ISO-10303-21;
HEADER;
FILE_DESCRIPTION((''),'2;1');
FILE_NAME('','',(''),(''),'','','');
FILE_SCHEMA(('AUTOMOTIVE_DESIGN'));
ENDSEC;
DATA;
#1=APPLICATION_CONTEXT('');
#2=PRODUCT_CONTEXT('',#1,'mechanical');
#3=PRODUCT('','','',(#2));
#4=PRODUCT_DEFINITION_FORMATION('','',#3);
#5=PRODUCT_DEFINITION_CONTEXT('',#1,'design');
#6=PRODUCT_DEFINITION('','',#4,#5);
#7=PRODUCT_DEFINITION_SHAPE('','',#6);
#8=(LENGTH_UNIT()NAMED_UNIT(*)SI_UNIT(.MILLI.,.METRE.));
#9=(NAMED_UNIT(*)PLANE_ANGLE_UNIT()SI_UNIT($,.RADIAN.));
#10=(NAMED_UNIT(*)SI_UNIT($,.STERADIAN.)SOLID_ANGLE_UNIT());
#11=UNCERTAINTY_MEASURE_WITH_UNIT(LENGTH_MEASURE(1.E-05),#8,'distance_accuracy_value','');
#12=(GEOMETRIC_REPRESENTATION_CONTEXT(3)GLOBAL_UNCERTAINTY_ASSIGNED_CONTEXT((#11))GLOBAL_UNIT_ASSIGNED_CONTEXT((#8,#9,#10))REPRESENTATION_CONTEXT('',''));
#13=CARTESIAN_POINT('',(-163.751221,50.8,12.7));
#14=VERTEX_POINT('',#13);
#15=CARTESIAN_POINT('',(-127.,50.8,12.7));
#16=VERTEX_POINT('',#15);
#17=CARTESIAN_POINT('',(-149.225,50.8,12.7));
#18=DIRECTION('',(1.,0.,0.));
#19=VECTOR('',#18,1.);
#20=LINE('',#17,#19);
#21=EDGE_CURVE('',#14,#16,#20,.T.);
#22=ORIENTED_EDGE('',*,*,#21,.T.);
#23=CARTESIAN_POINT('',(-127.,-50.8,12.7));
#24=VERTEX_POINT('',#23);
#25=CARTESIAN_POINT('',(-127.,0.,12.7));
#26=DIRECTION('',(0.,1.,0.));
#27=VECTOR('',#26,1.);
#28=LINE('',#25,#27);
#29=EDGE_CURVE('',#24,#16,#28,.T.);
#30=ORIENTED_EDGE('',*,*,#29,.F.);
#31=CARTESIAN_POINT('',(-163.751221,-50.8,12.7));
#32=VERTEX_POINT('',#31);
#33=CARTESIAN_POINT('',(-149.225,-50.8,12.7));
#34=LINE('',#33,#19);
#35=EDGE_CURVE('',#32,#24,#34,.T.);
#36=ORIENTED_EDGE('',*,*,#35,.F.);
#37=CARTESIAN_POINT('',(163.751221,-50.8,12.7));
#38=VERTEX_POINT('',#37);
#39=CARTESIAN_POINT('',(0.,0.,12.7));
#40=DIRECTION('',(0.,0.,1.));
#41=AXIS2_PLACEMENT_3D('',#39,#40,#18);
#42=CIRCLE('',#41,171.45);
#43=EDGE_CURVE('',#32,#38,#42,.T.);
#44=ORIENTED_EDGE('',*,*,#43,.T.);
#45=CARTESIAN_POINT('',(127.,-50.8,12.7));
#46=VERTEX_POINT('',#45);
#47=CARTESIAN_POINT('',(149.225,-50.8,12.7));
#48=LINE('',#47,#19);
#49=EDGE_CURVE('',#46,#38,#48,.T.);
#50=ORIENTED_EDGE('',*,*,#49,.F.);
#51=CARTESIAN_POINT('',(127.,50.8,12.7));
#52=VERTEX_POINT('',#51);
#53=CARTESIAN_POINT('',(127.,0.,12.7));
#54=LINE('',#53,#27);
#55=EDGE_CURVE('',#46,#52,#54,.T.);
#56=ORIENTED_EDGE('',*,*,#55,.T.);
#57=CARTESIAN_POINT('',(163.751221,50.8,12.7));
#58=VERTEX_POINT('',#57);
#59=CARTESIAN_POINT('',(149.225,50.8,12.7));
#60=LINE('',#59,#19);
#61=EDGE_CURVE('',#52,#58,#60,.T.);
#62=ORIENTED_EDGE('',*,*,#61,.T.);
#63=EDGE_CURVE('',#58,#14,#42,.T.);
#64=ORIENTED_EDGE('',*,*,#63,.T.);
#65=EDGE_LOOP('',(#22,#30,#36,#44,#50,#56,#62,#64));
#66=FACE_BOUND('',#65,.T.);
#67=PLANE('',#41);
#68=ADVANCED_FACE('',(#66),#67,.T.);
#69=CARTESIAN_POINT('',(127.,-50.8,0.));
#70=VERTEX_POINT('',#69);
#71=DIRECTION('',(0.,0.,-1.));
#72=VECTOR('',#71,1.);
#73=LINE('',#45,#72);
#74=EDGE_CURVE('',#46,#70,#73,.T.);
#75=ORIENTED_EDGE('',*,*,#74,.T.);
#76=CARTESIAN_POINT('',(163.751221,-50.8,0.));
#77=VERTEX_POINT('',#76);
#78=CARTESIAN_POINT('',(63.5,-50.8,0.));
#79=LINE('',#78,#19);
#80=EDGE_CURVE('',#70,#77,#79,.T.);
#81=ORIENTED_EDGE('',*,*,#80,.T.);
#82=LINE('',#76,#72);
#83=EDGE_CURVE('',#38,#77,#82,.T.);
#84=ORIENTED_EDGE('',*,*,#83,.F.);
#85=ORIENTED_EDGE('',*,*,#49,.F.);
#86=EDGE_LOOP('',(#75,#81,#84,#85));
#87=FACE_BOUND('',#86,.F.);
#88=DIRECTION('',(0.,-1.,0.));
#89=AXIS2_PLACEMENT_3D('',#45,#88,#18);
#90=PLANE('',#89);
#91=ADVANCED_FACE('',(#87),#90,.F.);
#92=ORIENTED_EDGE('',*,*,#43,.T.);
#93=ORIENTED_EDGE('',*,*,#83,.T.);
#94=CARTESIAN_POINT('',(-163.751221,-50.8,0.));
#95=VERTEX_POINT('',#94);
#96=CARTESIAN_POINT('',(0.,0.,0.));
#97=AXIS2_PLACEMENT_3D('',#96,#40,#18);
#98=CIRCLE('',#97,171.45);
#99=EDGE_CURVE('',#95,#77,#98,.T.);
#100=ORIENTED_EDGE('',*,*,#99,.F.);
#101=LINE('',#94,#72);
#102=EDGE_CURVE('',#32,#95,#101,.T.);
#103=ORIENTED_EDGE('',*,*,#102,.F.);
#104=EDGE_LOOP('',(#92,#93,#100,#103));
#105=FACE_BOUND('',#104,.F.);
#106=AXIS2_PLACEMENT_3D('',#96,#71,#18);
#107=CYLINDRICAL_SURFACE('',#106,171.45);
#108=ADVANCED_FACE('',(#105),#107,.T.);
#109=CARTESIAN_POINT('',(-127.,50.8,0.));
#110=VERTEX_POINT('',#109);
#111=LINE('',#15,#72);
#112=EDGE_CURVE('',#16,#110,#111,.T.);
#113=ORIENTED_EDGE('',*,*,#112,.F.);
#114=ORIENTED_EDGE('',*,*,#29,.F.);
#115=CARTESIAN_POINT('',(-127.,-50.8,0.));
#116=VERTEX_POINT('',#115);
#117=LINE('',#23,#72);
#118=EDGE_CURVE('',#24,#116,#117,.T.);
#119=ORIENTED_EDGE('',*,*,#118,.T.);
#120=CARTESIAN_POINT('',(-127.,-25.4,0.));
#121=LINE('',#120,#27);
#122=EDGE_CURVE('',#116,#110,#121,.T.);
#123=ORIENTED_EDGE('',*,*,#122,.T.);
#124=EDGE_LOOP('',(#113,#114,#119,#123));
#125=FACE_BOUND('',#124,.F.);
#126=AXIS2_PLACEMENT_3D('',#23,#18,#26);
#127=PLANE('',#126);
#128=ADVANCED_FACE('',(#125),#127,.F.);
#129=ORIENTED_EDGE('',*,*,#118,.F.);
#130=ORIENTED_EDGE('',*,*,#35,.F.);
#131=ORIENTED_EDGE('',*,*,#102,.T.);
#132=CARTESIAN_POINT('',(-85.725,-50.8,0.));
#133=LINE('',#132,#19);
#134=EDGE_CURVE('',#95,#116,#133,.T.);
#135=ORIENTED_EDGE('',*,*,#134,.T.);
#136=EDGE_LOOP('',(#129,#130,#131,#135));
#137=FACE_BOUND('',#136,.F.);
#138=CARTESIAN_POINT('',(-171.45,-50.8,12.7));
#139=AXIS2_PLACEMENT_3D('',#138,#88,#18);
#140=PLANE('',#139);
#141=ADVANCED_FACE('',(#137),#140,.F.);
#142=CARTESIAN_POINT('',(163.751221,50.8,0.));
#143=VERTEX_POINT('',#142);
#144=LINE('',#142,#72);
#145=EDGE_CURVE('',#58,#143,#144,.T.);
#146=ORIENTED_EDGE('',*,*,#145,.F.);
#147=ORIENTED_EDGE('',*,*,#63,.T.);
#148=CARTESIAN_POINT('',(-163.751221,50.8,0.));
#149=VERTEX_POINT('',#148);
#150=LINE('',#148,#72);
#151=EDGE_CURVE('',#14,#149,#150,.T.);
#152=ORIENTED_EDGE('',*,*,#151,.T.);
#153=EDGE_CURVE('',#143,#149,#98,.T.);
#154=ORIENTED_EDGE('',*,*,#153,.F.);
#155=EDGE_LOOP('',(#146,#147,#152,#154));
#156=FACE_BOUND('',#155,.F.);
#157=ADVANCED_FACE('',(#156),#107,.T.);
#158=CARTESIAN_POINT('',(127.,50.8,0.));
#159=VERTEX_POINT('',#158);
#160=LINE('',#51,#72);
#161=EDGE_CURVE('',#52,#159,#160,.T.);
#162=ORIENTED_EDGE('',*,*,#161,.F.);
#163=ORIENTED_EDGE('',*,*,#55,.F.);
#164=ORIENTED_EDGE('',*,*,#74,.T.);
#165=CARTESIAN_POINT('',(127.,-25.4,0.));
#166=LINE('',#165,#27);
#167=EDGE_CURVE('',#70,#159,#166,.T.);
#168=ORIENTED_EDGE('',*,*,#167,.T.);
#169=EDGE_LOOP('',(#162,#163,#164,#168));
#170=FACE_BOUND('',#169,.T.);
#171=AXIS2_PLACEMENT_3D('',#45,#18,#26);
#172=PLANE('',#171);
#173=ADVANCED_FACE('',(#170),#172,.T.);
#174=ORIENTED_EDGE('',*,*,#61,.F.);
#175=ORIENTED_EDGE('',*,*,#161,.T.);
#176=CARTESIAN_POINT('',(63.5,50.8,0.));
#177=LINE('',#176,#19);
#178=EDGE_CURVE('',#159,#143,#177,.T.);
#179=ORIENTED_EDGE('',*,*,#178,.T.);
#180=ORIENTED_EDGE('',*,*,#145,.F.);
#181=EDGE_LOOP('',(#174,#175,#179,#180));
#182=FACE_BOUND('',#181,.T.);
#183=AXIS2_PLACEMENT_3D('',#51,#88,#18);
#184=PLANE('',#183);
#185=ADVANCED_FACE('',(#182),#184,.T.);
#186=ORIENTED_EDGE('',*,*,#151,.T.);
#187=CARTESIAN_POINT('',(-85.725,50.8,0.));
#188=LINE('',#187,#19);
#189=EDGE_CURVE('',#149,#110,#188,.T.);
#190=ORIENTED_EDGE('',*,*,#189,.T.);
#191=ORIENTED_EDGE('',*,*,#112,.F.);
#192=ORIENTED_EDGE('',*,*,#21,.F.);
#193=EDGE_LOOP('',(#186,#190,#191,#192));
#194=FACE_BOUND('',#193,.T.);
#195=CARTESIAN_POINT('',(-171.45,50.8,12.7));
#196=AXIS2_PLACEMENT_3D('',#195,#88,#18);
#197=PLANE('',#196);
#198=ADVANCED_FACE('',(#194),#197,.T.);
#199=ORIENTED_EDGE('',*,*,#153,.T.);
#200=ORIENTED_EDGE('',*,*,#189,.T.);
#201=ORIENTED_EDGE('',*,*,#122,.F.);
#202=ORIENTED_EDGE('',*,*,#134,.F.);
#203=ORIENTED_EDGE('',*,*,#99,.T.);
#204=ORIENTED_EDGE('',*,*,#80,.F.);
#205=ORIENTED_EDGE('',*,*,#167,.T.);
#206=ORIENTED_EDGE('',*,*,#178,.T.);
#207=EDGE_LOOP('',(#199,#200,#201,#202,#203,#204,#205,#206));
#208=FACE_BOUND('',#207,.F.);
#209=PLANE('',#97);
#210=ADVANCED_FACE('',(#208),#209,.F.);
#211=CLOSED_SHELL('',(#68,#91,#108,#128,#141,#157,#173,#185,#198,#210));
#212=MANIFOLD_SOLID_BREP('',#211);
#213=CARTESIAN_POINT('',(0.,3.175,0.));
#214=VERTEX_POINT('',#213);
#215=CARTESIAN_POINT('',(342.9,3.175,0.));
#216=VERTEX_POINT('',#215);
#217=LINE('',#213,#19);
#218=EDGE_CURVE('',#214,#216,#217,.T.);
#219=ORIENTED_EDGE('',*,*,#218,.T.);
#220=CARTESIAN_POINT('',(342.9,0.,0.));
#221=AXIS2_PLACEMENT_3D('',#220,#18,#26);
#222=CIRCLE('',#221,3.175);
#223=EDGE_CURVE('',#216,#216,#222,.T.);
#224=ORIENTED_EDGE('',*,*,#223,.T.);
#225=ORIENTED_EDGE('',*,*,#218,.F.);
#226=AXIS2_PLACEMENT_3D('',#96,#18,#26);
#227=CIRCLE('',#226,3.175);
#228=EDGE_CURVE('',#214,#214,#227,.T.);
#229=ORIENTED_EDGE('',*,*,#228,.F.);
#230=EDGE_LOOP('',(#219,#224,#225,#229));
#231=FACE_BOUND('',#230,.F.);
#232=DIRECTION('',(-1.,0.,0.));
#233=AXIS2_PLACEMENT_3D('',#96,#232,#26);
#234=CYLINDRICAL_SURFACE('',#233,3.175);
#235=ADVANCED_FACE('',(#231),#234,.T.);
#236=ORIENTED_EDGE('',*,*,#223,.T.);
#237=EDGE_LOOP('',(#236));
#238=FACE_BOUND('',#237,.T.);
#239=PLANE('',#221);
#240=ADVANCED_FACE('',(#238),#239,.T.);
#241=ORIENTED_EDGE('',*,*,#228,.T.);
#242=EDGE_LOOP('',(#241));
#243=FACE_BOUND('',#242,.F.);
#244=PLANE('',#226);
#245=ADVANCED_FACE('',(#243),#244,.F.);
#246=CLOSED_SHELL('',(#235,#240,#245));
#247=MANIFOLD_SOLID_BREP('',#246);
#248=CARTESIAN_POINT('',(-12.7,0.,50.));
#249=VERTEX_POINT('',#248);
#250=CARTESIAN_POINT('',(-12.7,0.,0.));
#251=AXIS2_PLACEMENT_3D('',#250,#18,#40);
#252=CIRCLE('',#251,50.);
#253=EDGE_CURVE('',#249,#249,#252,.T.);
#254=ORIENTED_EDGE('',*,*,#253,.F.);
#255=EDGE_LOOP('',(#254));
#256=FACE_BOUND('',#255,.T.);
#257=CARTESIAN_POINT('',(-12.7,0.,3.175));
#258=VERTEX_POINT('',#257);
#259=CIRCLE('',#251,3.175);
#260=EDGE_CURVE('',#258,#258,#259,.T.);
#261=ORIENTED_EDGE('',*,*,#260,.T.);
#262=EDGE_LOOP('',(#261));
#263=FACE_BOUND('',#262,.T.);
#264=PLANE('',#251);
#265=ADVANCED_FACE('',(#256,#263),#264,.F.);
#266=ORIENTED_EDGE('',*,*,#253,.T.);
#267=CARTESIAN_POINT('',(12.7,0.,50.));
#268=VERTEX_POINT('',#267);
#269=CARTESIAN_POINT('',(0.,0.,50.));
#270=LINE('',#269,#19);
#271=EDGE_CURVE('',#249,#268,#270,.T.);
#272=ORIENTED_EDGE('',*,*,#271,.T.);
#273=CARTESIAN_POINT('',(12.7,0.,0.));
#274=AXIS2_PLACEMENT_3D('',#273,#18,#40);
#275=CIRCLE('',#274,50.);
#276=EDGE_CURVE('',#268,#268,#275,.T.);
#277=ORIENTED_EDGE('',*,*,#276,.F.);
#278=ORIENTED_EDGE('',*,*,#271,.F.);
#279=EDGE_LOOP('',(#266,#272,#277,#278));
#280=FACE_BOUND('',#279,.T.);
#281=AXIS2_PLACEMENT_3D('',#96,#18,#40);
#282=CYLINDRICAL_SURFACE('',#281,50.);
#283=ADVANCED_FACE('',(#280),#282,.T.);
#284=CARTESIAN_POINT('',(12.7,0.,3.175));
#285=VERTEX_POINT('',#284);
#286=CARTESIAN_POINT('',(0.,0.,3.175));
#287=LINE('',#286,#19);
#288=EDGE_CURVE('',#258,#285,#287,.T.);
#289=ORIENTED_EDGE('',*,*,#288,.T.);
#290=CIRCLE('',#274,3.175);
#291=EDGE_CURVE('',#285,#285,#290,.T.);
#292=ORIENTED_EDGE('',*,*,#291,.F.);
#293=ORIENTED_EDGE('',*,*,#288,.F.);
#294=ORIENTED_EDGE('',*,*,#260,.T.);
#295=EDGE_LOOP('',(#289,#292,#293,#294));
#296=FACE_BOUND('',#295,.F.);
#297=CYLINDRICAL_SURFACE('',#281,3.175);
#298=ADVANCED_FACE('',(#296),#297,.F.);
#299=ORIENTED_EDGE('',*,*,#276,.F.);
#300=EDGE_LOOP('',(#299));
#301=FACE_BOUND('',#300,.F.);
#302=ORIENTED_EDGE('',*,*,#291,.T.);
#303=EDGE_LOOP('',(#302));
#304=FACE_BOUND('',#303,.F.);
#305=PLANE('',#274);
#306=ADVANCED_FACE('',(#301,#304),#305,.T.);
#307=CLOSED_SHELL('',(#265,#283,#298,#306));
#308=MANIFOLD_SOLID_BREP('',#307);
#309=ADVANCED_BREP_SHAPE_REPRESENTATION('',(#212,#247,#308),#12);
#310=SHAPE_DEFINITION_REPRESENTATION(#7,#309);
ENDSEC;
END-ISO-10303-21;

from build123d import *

# Parameters (mm, degrees)
F0_R     = 171.45
F1_DEPTH = 12.7
F2_W     = 44.45
F2_H     = 101.6
F3_DEPTH = 12.701
F4_W     = 25.4
F4_H     = 46.825
F6_R     = 3.175
F7_DEPTH = 342.9


with BuildPart() as f1:
    # F0 (on Top) → F1 (new body)
    with BuildSketch(Plane.XY):
        Circle(F0_R)
    extrude(amount=F1_DEPTH)

    # F2 (on face) → F3 (cut, through all)
    with BuildSketch(Plane.XY.offset(12.7)):
        with Locations((-149.225, 0)):
            Rectangle(F2_W, F2_H)
        with Locations((149.225, 0)):
            Rectangle(F2_W, F2_H)
    extrude(amount=-F3_DEPTH, mode=Mode.SUBTRACT)


with BuildPart() as f5:
    # F4 (on Front) → F5 (revolve)
    with BuildSketch(Plane.XZ):
        with Locations((0, 26.5875)):
            Rectangle(F4_W, F4_H)
    revolve(axis=Axis((6.534176, 0, 0), (1, 0, 0)))


with BuildPart() as f7:
    # F6 (on Right) → F7 (new body)
    with BuildSketch(Plane.YZ):
        Circle(F6_R)
    extrude(amount=F7_DEPTH)


solid = Compound([f1.part, f5.part, f7.part])
